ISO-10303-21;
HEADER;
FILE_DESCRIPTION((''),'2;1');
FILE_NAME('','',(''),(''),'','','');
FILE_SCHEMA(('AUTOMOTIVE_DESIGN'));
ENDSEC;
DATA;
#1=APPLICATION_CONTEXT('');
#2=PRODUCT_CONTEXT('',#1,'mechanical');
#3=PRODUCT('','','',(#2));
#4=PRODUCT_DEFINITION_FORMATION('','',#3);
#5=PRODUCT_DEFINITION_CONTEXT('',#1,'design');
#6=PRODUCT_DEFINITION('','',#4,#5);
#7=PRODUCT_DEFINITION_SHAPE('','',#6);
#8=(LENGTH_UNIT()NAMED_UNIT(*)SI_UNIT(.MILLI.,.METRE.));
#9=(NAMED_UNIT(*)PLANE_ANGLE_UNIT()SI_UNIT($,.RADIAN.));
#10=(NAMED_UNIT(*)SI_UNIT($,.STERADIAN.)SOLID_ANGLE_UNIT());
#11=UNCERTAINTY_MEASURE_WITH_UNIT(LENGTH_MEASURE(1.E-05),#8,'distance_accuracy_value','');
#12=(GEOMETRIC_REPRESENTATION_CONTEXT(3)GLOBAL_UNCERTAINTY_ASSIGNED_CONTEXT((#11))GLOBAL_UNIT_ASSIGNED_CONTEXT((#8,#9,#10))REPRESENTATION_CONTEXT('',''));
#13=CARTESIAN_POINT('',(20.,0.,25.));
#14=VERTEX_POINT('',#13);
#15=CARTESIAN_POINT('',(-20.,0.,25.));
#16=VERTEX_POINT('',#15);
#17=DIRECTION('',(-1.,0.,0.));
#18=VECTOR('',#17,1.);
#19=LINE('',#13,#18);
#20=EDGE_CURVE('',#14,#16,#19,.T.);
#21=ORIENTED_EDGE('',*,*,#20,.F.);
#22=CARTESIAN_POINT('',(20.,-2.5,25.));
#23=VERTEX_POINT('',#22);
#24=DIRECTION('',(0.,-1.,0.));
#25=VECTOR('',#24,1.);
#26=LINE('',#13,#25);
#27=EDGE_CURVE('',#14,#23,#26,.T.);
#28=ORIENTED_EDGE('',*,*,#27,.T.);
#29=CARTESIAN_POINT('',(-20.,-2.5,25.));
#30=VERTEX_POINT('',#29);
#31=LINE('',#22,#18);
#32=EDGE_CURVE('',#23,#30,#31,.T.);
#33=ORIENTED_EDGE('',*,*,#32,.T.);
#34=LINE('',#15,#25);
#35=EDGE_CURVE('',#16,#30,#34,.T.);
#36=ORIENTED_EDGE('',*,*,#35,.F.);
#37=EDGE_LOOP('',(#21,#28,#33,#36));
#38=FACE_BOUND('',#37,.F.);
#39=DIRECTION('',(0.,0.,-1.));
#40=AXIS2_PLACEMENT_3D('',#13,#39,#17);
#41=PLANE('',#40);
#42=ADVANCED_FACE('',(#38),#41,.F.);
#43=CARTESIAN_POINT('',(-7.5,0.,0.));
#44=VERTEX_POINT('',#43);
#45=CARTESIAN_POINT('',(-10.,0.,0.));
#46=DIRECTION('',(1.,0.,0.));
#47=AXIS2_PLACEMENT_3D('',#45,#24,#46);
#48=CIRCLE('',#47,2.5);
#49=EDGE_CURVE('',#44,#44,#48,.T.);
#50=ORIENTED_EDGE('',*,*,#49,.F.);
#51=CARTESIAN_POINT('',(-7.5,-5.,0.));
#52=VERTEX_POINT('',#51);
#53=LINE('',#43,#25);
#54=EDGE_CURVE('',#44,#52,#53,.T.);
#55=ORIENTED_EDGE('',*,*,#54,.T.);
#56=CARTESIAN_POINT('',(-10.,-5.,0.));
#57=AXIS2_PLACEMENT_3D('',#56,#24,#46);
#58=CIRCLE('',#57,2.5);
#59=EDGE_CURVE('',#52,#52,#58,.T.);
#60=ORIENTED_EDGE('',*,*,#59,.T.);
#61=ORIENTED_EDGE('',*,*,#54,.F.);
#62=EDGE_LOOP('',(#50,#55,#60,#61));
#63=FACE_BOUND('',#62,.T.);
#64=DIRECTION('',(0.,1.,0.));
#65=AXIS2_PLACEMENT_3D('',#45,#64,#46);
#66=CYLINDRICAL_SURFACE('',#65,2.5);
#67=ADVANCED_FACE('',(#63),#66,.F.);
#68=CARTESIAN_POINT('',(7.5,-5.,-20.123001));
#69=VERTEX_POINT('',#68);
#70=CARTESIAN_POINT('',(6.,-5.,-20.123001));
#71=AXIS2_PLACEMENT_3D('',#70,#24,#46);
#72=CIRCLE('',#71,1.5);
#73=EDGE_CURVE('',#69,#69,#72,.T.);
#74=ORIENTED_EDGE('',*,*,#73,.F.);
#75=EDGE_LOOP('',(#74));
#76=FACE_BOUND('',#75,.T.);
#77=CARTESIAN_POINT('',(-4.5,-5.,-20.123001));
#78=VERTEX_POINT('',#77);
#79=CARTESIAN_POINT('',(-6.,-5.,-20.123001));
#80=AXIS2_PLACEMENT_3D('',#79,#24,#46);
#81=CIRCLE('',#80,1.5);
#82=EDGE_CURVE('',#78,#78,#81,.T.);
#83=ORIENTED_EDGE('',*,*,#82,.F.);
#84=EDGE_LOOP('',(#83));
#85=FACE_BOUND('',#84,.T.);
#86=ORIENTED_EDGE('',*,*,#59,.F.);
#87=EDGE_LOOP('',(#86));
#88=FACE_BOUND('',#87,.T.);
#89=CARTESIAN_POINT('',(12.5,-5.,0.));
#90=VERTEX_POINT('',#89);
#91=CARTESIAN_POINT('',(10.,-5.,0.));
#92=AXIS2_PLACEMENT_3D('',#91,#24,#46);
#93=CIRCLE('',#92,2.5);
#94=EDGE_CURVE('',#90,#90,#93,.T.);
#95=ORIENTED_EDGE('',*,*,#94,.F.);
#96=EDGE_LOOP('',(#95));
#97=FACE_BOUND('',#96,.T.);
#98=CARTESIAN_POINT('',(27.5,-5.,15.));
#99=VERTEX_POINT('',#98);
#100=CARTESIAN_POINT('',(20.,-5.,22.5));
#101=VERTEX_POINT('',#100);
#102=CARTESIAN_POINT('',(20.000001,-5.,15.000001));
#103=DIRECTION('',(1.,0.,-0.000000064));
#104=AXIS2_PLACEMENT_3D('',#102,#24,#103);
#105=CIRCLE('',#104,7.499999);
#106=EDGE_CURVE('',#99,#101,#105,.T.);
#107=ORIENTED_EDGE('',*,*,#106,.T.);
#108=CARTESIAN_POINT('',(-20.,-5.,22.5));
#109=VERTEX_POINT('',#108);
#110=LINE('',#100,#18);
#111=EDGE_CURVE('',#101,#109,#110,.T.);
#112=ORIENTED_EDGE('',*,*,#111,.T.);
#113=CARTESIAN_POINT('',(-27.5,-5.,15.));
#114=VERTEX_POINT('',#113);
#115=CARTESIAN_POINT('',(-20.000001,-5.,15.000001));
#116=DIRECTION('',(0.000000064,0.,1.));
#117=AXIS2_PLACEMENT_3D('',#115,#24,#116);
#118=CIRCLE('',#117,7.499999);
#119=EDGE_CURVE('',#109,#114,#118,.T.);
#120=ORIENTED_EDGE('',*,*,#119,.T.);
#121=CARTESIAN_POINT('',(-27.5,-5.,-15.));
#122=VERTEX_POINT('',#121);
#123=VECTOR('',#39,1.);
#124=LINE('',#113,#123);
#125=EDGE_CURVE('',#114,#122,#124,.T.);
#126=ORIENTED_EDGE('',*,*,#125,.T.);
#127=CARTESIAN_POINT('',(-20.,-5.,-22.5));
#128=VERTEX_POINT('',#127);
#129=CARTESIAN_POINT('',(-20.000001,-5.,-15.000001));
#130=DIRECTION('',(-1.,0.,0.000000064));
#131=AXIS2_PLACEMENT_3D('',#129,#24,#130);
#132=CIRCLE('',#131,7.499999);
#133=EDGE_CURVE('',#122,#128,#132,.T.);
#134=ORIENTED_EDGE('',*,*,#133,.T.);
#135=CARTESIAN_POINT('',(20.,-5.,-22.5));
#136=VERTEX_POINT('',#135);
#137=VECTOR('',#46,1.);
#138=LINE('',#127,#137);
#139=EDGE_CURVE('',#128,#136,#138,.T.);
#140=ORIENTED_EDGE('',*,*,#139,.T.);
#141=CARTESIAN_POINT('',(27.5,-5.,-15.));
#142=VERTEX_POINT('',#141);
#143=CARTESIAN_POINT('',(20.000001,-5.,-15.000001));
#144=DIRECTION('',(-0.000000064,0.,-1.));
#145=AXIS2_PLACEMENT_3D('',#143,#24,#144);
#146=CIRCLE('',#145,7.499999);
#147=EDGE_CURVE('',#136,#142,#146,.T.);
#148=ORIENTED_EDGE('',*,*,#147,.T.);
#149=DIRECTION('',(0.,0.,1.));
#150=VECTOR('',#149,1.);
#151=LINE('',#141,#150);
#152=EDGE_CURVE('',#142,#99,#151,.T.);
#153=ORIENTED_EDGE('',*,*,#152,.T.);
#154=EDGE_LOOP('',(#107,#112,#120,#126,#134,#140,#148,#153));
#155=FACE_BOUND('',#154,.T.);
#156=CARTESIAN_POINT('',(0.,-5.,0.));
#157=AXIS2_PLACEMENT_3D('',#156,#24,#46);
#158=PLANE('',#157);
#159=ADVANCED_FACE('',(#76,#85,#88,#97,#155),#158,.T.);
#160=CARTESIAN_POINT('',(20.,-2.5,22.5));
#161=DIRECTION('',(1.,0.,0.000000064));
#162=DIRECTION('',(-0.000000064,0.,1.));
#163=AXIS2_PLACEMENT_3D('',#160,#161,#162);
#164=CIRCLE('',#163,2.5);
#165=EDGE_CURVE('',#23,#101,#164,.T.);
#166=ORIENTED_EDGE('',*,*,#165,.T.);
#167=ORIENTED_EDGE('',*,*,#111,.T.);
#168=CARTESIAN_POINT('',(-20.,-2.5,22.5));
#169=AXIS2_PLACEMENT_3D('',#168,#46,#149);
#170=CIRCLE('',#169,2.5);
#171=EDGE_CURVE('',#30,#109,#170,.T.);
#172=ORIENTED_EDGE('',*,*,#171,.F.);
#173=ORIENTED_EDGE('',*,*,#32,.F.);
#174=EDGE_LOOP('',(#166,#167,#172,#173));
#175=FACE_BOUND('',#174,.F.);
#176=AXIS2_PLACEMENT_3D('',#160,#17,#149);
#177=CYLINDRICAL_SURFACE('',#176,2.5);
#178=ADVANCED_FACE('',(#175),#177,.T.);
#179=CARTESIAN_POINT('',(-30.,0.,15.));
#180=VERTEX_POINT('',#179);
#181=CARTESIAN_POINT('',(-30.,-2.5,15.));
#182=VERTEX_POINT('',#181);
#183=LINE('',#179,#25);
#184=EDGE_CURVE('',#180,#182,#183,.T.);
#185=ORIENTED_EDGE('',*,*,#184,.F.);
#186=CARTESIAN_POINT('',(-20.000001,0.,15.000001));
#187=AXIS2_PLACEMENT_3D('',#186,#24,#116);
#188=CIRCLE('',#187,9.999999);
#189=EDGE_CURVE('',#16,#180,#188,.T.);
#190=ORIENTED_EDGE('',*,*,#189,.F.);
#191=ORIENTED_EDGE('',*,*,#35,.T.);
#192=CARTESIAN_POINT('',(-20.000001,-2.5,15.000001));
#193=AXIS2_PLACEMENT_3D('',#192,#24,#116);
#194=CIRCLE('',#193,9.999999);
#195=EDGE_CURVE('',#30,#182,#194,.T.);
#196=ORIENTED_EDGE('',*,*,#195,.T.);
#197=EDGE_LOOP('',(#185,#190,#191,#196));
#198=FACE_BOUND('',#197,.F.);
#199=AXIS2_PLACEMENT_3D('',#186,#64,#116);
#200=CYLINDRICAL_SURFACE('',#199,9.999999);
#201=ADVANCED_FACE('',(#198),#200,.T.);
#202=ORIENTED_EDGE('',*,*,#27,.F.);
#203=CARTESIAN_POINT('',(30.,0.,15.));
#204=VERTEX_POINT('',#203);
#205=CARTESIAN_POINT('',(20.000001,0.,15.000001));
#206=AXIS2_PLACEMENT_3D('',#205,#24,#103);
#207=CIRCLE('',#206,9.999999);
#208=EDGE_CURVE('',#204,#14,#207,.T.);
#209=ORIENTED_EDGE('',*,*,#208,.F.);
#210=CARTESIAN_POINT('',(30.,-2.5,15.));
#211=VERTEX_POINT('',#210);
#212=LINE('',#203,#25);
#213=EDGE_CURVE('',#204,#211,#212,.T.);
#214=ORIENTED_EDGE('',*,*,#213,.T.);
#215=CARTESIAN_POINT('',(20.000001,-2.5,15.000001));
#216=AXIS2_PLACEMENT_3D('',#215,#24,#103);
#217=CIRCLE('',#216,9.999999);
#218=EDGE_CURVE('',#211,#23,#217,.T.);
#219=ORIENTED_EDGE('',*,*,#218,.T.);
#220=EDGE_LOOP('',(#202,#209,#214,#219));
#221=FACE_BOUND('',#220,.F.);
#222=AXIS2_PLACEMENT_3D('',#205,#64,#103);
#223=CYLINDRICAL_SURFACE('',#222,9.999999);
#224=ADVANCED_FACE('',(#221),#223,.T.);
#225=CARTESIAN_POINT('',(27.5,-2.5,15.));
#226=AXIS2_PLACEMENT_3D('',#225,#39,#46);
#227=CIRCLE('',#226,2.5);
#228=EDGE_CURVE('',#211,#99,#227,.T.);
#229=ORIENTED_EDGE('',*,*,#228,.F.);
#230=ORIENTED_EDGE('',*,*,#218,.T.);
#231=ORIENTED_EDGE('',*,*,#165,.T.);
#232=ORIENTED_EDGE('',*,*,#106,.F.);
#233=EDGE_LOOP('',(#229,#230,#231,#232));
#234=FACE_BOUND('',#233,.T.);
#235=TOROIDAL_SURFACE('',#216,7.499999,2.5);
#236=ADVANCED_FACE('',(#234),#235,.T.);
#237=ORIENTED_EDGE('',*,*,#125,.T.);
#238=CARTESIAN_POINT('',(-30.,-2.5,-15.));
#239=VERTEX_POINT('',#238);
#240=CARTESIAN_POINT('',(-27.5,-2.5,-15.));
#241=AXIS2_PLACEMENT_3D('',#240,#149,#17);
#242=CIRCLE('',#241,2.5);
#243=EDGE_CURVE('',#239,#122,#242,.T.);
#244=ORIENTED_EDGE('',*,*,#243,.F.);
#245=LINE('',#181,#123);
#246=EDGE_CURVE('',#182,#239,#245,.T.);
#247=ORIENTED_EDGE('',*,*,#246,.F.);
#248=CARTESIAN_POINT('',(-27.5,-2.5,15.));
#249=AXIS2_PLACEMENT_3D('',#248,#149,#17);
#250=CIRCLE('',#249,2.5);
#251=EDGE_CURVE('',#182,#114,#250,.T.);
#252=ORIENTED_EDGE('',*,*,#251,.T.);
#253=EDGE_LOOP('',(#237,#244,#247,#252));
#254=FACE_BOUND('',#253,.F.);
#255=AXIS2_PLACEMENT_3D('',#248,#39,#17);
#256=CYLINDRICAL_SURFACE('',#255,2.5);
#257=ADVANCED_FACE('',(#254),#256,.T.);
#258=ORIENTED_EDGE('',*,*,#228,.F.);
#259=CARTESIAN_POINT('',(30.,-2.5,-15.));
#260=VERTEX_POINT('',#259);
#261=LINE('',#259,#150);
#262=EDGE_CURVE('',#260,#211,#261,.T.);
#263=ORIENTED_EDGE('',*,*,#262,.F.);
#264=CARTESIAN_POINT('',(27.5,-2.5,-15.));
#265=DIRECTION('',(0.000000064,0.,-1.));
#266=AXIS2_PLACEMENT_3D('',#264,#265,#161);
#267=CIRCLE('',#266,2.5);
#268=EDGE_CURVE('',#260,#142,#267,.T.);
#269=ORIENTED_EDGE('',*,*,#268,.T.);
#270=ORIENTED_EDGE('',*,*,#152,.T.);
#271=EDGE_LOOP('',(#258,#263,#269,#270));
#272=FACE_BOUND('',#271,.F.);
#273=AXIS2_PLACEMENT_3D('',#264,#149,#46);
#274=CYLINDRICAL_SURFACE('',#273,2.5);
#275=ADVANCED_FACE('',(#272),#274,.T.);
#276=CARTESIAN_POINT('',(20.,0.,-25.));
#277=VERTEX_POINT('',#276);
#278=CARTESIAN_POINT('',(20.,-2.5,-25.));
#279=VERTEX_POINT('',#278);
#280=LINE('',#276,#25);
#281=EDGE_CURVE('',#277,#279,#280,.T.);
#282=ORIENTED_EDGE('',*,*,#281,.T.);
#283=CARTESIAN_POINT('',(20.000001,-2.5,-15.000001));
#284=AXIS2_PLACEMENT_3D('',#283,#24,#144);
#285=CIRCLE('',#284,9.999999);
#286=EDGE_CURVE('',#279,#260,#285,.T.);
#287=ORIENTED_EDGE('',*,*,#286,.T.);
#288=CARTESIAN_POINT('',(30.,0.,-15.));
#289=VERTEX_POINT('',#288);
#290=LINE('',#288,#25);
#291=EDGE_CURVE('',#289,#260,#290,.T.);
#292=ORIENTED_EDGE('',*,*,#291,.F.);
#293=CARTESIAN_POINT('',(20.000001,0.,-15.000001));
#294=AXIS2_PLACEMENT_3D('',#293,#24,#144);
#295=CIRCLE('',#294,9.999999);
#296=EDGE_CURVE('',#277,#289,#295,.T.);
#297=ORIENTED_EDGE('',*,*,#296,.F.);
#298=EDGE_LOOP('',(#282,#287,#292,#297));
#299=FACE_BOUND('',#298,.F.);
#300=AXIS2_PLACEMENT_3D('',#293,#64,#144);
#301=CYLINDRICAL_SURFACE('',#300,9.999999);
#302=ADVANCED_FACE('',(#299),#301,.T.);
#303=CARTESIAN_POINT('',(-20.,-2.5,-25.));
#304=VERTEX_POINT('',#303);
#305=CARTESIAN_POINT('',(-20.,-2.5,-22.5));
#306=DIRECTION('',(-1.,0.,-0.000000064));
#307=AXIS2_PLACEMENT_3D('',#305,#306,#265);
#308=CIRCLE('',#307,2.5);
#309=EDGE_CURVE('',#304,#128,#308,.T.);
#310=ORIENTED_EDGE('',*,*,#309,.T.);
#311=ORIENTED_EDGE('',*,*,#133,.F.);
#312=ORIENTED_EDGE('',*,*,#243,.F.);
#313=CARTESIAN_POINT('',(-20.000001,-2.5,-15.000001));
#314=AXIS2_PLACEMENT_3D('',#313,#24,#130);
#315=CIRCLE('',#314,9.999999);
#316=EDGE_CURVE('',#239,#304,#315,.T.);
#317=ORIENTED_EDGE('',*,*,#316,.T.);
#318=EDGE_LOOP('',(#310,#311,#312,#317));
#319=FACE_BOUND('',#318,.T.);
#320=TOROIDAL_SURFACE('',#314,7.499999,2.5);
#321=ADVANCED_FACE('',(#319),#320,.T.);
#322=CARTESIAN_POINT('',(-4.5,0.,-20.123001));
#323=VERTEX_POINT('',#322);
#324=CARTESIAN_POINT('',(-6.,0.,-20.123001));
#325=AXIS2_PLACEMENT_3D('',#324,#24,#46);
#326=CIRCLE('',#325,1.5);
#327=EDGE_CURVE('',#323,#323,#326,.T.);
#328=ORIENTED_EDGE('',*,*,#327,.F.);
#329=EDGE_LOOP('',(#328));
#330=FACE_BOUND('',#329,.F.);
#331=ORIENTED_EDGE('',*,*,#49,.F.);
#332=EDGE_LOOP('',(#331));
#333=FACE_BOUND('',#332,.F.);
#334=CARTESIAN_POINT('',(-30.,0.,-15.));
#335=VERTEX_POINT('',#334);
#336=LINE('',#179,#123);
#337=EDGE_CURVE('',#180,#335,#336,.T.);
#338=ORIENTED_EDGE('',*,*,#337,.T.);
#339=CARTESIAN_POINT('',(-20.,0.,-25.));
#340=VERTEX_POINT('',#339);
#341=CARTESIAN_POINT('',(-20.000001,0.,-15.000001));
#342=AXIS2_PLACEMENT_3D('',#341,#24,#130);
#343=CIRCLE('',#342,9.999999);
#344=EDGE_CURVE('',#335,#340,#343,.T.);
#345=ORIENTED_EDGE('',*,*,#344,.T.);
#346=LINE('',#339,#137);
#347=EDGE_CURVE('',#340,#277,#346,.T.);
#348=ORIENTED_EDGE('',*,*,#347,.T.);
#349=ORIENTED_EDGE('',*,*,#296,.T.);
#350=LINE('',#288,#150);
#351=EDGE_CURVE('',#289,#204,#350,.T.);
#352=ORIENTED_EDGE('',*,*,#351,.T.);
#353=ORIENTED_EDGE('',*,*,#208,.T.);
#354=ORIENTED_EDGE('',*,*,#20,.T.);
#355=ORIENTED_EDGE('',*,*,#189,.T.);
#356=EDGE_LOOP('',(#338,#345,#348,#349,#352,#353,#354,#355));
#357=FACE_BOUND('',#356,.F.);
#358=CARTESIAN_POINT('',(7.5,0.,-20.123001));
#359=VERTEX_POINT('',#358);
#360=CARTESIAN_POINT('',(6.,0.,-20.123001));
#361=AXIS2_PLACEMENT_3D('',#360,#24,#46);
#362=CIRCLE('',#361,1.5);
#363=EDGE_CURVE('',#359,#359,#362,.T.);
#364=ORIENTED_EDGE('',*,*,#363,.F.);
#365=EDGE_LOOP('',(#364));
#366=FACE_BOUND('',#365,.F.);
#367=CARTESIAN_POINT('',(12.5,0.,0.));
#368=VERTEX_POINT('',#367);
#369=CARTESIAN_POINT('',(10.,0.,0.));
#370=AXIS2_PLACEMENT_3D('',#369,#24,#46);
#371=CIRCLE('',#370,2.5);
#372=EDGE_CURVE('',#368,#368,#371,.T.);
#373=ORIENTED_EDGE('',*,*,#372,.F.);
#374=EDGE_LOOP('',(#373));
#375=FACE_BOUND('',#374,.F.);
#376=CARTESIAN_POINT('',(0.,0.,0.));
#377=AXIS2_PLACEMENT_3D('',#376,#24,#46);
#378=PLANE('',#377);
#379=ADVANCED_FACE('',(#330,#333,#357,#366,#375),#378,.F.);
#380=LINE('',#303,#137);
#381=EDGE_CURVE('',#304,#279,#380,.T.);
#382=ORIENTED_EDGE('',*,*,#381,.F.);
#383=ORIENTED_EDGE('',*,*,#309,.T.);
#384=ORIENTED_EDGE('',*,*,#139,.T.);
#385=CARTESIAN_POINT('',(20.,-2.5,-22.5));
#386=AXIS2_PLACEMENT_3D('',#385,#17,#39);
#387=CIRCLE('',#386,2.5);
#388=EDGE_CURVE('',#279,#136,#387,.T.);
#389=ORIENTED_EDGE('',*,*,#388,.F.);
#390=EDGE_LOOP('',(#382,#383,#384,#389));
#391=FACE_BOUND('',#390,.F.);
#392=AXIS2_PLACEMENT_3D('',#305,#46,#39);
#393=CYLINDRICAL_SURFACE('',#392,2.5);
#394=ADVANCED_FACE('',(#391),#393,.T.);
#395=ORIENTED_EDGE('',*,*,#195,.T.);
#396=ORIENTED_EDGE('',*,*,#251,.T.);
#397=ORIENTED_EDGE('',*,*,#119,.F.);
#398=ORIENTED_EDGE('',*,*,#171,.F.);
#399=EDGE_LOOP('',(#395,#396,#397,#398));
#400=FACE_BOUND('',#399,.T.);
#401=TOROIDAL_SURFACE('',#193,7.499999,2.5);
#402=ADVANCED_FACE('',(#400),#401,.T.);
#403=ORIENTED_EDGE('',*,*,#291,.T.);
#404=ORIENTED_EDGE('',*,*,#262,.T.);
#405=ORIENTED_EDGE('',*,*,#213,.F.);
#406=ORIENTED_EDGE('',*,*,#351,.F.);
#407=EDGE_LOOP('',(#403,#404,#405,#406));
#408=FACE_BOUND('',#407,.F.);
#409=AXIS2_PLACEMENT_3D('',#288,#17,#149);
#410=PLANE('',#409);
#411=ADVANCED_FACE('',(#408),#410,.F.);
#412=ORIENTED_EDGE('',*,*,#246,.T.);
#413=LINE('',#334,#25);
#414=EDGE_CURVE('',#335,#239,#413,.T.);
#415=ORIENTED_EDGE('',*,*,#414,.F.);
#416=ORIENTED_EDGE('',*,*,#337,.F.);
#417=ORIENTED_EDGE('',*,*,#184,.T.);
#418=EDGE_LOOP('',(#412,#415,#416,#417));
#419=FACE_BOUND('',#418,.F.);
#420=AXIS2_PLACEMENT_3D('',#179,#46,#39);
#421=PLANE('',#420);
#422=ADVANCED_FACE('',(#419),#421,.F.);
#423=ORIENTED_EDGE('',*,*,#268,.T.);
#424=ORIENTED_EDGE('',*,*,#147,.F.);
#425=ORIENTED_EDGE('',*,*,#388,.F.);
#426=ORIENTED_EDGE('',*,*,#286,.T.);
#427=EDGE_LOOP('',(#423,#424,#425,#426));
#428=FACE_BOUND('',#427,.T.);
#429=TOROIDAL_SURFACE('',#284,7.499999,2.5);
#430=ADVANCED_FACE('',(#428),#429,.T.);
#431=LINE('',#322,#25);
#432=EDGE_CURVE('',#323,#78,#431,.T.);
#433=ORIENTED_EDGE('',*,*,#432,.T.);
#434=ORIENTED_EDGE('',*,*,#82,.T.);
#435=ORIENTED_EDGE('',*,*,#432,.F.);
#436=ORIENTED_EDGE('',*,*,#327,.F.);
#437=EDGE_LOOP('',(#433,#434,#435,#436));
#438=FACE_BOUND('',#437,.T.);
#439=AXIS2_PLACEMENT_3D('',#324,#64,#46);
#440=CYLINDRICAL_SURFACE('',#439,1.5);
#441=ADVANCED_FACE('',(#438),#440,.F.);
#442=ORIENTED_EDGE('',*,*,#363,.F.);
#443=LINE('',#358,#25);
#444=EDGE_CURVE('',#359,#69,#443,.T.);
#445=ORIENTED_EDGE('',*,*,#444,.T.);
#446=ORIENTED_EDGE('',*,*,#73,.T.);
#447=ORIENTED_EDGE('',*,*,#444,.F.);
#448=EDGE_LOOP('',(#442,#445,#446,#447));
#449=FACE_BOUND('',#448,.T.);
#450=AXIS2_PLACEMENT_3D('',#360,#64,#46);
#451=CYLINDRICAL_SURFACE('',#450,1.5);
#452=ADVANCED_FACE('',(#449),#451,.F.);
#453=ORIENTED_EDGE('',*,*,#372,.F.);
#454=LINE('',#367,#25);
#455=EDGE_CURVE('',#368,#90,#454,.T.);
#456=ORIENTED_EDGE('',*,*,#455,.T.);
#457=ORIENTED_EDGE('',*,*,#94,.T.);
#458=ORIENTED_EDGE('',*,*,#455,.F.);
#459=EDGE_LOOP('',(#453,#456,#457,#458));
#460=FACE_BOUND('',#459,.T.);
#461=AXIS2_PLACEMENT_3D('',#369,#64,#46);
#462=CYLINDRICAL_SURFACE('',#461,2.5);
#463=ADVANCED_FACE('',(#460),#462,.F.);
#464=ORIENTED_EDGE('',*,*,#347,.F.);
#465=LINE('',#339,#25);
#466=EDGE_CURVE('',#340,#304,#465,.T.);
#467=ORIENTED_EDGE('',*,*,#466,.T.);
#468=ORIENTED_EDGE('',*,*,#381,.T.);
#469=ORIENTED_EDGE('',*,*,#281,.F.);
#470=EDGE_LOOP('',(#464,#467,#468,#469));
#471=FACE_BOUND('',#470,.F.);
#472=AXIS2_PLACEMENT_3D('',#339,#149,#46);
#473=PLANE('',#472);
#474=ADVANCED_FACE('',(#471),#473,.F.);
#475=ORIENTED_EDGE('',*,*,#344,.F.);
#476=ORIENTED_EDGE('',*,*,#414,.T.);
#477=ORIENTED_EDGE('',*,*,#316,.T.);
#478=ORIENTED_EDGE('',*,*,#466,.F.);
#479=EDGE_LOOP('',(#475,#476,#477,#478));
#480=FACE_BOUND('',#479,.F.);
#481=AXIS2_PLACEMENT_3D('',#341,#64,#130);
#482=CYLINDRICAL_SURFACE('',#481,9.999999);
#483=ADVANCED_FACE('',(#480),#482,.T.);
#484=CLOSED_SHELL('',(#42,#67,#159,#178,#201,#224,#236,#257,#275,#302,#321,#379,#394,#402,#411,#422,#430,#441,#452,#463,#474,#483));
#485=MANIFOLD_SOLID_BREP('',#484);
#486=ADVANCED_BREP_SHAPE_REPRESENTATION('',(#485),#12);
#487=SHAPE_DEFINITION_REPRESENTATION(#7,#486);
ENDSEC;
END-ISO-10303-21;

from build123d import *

# Parameters (mm, degrees)
F0_R     = 1.5
F0_R_2   = 2.5
F1_DEPTH = 5
F2_R     = 2.5


with BuildPart() as f1:
    # F0 (on Front) → F1 (new body)
    with BuildSketch(Plane.XZ):
        with BuildLine():
            Line((-20, -25), (20, -25))
            ThreePointArc((20, -25), (27.071068, -22.071068), (30, -15))
            Line((30, -15), (30, 15))
            ThreePointArc((30, 15), (27.071068, 22.071068), (20, 25))
            Line((20, 25), (-20, 25))
            ThreePointArc((-20, 25), (-27.071068, 22.071068), (-30, 15))
            Line((-30, 15), (-30, -15))
            ThreePointArc((-30, -15), (-27.071068, -22.071068), (-20, -25))
        make_face()
        with Locations((-6, -20.123001)):
            Circle(F0_R, mode=Mode.SUBTRACT)
        with Locations((6, -20.123001)):
            Circle(F0_R, mode=Mode.SUBTRACT)
        with Locations((-10, 0)):
            Circle(F0_R_2, mode=Mode.SUBTRACT)
        with Locations((10, 0)):
            Circle(F0_R_2, mode=Mode.SUBTRACT)
    extrude(amount=F1_DEPTH)

    # F2
    f2_edges = [f1.edges().sort_by_distance(p)[0] for p in [
        (-30, -5, 0),
        (30, -5, 0),
        (0, -5, 25),
        (0, -5, -25),
        (-27.071068, -5, -22.071068),
        (27.071068, -5, -22.071068),
        (-27.071068, -5, 22.071068),
        (27.071068, -5, 22.071068),
    ]]
    fillet(f2_edges, radius=F2_R)


solid = f1.part
